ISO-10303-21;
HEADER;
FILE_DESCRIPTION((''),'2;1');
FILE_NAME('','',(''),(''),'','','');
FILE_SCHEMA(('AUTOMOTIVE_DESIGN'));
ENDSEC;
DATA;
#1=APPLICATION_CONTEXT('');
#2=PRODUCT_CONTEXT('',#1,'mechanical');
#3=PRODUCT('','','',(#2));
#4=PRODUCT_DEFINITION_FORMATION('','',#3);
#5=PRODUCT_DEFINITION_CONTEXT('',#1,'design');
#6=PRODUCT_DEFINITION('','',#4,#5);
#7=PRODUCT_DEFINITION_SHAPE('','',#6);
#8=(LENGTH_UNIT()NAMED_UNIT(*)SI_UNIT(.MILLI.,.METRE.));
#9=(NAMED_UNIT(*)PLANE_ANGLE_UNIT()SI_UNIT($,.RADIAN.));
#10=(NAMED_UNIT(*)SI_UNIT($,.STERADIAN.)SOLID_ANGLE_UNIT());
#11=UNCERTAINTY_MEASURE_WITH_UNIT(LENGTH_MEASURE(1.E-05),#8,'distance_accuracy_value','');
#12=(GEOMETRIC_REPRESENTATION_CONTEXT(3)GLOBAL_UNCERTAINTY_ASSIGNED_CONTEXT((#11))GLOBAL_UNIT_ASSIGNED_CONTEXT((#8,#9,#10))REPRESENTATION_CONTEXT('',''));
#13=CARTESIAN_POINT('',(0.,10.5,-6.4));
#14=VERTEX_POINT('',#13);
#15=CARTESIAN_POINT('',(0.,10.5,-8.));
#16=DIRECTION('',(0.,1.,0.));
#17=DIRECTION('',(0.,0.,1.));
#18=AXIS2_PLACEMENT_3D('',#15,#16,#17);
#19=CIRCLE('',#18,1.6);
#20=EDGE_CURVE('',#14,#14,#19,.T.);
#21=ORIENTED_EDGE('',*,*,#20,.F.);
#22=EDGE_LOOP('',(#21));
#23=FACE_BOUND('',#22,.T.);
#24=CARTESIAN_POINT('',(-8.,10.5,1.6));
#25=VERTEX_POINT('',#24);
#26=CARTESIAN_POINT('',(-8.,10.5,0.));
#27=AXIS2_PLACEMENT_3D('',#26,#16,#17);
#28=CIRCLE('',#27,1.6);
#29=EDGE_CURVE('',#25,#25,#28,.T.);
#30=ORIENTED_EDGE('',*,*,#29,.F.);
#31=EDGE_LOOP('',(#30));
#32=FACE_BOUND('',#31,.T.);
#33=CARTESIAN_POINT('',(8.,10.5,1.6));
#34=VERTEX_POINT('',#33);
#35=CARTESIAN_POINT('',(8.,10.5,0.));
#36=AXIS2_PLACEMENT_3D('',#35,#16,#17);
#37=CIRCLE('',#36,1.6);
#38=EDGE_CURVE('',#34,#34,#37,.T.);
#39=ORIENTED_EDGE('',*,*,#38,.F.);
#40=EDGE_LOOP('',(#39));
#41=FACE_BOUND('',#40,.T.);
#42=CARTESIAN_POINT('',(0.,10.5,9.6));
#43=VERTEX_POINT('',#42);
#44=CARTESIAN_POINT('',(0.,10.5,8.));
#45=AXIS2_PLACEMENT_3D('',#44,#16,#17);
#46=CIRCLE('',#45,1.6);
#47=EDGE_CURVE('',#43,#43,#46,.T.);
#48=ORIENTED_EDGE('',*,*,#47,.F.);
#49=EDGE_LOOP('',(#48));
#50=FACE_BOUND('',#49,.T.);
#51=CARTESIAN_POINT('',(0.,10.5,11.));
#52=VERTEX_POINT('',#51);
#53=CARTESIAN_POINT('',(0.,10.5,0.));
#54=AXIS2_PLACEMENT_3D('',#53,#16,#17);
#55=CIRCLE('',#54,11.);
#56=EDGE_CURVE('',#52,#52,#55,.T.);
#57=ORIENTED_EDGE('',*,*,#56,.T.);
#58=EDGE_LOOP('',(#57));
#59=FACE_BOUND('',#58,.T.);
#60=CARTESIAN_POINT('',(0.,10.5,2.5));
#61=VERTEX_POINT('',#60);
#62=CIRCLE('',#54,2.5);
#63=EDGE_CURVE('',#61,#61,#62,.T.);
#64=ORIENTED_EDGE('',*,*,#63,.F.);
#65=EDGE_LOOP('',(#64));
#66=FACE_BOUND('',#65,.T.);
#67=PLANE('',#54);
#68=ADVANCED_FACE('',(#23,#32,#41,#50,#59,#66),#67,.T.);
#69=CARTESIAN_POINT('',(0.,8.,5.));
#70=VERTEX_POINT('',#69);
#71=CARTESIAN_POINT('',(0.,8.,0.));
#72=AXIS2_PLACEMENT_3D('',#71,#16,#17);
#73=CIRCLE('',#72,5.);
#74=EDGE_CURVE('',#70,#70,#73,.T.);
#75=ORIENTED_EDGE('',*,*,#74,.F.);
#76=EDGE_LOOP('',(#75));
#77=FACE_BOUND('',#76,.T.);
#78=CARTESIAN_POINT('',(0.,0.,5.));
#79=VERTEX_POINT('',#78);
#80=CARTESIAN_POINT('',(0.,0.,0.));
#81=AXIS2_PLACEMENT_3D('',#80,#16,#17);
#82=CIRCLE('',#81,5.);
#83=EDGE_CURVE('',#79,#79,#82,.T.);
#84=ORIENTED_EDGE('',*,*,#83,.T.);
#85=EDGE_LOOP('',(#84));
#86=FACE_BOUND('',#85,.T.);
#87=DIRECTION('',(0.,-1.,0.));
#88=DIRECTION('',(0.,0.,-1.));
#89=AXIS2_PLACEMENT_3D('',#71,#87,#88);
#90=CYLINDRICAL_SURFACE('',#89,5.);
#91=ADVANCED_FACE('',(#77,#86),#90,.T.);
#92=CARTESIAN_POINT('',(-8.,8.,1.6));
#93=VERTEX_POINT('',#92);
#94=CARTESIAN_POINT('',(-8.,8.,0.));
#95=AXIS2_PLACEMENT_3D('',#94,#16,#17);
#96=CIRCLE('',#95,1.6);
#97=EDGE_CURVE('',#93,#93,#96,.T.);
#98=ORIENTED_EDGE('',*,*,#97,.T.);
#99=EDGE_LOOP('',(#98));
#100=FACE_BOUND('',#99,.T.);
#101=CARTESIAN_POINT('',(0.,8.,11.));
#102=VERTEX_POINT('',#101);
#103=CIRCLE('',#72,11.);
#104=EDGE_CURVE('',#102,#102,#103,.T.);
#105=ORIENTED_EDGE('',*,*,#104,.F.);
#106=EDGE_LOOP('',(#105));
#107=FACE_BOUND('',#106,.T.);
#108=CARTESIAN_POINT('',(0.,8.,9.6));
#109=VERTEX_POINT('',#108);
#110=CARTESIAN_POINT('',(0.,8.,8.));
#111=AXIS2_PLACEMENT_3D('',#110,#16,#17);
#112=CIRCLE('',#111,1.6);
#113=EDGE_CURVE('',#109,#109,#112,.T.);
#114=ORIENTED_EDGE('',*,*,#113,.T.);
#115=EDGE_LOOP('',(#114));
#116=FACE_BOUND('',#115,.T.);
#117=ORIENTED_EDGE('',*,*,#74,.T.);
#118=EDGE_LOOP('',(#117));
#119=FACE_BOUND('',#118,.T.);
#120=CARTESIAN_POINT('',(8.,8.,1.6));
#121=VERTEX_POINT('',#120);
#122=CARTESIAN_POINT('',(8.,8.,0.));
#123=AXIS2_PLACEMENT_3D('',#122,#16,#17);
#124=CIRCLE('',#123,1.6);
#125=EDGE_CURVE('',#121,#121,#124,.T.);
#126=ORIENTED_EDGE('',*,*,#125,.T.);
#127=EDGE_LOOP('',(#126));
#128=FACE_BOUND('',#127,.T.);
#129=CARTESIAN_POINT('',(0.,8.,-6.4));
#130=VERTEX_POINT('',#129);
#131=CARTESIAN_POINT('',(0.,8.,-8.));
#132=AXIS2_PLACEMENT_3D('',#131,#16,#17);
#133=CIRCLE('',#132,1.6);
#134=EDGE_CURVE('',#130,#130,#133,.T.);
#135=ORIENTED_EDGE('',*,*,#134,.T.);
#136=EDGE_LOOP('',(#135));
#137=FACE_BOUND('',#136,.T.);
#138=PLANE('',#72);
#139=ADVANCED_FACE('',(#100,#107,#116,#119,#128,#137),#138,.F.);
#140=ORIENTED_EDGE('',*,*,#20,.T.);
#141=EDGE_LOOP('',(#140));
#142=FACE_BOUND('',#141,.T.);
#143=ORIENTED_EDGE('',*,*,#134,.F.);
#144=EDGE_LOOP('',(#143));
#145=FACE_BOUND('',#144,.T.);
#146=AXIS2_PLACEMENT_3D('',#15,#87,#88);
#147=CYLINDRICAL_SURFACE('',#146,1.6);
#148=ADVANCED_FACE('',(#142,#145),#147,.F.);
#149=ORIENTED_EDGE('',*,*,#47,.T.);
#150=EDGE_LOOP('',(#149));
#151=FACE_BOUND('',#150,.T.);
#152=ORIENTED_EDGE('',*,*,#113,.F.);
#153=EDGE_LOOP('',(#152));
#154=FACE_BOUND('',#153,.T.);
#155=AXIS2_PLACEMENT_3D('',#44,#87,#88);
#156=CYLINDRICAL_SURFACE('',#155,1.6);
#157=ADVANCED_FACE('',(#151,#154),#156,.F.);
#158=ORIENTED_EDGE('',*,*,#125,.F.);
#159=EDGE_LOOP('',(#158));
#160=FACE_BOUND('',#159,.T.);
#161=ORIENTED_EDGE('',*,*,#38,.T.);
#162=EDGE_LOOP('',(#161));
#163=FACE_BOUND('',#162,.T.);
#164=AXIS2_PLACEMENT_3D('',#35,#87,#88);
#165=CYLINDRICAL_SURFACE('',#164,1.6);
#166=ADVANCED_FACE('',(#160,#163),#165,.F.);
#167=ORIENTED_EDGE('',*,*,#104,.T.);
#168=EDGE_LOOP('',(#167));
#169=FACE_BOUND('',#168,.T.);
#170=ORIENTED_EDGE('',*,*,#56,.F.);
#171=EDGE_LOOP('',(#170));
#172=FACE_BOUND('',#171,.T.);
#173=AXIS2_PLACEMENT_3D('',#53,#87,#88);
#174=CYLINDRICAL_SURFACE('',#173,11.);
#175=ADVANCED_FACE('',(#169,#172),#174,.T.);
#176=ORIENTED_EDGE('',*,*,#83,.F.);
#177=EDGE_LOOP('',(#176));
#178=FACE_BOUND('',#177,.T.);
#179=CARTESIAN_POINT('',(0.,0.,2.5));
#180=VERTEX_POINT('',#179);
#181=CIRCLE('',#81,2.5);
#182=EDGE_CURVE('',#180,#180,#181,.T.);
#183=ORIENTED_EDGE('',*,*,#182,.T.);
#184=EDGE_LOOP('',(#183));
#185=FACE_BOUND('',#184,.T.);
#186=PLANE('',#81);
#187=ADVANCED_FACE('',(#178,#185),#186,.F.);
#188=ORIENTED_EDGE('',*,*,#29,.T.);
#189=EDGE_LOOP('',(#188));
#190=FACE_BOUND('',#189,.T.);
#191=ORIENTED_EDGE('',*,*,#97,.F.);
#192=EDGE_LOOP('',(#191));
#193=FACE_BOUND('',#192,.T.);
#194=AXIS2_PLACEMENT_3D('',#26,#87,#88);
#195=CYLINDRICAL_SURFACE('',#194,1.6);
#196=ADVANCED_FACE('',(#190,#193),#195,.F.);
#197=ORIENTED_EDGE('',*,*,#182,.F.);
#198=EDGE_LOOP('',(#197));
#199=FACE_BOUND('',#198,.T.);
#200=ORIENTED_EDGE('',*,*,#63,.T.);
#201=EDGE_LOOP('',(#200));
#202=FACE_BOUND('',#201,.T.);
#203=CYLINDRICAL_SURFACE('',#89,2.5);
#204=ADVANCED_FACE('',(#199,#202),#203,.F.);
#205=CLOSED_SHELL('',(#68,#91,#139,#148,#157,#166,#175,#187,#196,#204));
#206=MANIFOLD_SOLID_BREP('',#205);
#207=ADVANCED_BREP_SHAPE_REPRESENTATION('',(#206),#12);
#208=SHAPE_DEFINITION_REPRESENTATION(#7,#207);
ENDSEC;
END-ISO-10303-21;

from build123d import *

# Parameters (mm, degrees)
SKETCH_1_R      = 5
SKETCH_1_R_2    = 2.5
EXTRUDE_1_DEPTH = 8
SKETCH_2_R      = 11
SKETCH_2_R_2    = 2.5
SKETCH_2_R_3    = 1.6
EXTRUDE_2_DEPTH = 2.5


with BuildPart() as part:
    # 草图1 → 凸台-拉伸1 (new body)
    with BuildSketch(Plane(origin=(0, 0, 0), x_dir=(1, 0, 0), z_dir=(0, 1, 0))):
        with Locations(Location((0, 0, 0), (0, 0, 270))):
            Circle(SKETCH_1_R)
        with Locations(Location((0, 0, 0), (0, 0, 270))):
            Circle(SKETCH_1_R_2, mode=Mode.SUBTRACT)
    extrude(amount=EXTRUDE_1_DEPTH)

    # 草图2 → 凸台-拉伸2 (add)
    with BuildSketch(Plane(origin=(0, 8, 0), x_dir=(-1, 0, 0), z_dir=(0, 1, 0))):
        with Locations(Location((0, 0, 0), (0, 0, 90))):
            Circle(SKETCH_2_R)
        with Locations(Location((0, 0, 0), (0, 0, 90))):
            Circle(SKETCH_2_R_2, mode=Mode.SUBTRACT)
        with Locations(Location((-8, 0, 0), (0, 0, 90))):
            Circle(SKETCH_2_R_3, mode=Mode.SUBTRACT)
        with Locations(Location((0, 8, 0), (0, 0, 90))):
            Circle(SKETCH_2_R_3, mode=Mode.SUBTRACT)
        with Locations(Location((8, 0, 0), (0, 0, 90))):
            Circle(SKETCH_2_R_3, mode=Mode.SUBTRACT)
        with Locations(Location((0, -8, 0), (0, 0, 90))):
            Circle(SKETCH_2_R_3, mode=Mode.SUBTRACT)
    extrude(amount=EXTRUDE_2_DEPTH)


solid = part.part
